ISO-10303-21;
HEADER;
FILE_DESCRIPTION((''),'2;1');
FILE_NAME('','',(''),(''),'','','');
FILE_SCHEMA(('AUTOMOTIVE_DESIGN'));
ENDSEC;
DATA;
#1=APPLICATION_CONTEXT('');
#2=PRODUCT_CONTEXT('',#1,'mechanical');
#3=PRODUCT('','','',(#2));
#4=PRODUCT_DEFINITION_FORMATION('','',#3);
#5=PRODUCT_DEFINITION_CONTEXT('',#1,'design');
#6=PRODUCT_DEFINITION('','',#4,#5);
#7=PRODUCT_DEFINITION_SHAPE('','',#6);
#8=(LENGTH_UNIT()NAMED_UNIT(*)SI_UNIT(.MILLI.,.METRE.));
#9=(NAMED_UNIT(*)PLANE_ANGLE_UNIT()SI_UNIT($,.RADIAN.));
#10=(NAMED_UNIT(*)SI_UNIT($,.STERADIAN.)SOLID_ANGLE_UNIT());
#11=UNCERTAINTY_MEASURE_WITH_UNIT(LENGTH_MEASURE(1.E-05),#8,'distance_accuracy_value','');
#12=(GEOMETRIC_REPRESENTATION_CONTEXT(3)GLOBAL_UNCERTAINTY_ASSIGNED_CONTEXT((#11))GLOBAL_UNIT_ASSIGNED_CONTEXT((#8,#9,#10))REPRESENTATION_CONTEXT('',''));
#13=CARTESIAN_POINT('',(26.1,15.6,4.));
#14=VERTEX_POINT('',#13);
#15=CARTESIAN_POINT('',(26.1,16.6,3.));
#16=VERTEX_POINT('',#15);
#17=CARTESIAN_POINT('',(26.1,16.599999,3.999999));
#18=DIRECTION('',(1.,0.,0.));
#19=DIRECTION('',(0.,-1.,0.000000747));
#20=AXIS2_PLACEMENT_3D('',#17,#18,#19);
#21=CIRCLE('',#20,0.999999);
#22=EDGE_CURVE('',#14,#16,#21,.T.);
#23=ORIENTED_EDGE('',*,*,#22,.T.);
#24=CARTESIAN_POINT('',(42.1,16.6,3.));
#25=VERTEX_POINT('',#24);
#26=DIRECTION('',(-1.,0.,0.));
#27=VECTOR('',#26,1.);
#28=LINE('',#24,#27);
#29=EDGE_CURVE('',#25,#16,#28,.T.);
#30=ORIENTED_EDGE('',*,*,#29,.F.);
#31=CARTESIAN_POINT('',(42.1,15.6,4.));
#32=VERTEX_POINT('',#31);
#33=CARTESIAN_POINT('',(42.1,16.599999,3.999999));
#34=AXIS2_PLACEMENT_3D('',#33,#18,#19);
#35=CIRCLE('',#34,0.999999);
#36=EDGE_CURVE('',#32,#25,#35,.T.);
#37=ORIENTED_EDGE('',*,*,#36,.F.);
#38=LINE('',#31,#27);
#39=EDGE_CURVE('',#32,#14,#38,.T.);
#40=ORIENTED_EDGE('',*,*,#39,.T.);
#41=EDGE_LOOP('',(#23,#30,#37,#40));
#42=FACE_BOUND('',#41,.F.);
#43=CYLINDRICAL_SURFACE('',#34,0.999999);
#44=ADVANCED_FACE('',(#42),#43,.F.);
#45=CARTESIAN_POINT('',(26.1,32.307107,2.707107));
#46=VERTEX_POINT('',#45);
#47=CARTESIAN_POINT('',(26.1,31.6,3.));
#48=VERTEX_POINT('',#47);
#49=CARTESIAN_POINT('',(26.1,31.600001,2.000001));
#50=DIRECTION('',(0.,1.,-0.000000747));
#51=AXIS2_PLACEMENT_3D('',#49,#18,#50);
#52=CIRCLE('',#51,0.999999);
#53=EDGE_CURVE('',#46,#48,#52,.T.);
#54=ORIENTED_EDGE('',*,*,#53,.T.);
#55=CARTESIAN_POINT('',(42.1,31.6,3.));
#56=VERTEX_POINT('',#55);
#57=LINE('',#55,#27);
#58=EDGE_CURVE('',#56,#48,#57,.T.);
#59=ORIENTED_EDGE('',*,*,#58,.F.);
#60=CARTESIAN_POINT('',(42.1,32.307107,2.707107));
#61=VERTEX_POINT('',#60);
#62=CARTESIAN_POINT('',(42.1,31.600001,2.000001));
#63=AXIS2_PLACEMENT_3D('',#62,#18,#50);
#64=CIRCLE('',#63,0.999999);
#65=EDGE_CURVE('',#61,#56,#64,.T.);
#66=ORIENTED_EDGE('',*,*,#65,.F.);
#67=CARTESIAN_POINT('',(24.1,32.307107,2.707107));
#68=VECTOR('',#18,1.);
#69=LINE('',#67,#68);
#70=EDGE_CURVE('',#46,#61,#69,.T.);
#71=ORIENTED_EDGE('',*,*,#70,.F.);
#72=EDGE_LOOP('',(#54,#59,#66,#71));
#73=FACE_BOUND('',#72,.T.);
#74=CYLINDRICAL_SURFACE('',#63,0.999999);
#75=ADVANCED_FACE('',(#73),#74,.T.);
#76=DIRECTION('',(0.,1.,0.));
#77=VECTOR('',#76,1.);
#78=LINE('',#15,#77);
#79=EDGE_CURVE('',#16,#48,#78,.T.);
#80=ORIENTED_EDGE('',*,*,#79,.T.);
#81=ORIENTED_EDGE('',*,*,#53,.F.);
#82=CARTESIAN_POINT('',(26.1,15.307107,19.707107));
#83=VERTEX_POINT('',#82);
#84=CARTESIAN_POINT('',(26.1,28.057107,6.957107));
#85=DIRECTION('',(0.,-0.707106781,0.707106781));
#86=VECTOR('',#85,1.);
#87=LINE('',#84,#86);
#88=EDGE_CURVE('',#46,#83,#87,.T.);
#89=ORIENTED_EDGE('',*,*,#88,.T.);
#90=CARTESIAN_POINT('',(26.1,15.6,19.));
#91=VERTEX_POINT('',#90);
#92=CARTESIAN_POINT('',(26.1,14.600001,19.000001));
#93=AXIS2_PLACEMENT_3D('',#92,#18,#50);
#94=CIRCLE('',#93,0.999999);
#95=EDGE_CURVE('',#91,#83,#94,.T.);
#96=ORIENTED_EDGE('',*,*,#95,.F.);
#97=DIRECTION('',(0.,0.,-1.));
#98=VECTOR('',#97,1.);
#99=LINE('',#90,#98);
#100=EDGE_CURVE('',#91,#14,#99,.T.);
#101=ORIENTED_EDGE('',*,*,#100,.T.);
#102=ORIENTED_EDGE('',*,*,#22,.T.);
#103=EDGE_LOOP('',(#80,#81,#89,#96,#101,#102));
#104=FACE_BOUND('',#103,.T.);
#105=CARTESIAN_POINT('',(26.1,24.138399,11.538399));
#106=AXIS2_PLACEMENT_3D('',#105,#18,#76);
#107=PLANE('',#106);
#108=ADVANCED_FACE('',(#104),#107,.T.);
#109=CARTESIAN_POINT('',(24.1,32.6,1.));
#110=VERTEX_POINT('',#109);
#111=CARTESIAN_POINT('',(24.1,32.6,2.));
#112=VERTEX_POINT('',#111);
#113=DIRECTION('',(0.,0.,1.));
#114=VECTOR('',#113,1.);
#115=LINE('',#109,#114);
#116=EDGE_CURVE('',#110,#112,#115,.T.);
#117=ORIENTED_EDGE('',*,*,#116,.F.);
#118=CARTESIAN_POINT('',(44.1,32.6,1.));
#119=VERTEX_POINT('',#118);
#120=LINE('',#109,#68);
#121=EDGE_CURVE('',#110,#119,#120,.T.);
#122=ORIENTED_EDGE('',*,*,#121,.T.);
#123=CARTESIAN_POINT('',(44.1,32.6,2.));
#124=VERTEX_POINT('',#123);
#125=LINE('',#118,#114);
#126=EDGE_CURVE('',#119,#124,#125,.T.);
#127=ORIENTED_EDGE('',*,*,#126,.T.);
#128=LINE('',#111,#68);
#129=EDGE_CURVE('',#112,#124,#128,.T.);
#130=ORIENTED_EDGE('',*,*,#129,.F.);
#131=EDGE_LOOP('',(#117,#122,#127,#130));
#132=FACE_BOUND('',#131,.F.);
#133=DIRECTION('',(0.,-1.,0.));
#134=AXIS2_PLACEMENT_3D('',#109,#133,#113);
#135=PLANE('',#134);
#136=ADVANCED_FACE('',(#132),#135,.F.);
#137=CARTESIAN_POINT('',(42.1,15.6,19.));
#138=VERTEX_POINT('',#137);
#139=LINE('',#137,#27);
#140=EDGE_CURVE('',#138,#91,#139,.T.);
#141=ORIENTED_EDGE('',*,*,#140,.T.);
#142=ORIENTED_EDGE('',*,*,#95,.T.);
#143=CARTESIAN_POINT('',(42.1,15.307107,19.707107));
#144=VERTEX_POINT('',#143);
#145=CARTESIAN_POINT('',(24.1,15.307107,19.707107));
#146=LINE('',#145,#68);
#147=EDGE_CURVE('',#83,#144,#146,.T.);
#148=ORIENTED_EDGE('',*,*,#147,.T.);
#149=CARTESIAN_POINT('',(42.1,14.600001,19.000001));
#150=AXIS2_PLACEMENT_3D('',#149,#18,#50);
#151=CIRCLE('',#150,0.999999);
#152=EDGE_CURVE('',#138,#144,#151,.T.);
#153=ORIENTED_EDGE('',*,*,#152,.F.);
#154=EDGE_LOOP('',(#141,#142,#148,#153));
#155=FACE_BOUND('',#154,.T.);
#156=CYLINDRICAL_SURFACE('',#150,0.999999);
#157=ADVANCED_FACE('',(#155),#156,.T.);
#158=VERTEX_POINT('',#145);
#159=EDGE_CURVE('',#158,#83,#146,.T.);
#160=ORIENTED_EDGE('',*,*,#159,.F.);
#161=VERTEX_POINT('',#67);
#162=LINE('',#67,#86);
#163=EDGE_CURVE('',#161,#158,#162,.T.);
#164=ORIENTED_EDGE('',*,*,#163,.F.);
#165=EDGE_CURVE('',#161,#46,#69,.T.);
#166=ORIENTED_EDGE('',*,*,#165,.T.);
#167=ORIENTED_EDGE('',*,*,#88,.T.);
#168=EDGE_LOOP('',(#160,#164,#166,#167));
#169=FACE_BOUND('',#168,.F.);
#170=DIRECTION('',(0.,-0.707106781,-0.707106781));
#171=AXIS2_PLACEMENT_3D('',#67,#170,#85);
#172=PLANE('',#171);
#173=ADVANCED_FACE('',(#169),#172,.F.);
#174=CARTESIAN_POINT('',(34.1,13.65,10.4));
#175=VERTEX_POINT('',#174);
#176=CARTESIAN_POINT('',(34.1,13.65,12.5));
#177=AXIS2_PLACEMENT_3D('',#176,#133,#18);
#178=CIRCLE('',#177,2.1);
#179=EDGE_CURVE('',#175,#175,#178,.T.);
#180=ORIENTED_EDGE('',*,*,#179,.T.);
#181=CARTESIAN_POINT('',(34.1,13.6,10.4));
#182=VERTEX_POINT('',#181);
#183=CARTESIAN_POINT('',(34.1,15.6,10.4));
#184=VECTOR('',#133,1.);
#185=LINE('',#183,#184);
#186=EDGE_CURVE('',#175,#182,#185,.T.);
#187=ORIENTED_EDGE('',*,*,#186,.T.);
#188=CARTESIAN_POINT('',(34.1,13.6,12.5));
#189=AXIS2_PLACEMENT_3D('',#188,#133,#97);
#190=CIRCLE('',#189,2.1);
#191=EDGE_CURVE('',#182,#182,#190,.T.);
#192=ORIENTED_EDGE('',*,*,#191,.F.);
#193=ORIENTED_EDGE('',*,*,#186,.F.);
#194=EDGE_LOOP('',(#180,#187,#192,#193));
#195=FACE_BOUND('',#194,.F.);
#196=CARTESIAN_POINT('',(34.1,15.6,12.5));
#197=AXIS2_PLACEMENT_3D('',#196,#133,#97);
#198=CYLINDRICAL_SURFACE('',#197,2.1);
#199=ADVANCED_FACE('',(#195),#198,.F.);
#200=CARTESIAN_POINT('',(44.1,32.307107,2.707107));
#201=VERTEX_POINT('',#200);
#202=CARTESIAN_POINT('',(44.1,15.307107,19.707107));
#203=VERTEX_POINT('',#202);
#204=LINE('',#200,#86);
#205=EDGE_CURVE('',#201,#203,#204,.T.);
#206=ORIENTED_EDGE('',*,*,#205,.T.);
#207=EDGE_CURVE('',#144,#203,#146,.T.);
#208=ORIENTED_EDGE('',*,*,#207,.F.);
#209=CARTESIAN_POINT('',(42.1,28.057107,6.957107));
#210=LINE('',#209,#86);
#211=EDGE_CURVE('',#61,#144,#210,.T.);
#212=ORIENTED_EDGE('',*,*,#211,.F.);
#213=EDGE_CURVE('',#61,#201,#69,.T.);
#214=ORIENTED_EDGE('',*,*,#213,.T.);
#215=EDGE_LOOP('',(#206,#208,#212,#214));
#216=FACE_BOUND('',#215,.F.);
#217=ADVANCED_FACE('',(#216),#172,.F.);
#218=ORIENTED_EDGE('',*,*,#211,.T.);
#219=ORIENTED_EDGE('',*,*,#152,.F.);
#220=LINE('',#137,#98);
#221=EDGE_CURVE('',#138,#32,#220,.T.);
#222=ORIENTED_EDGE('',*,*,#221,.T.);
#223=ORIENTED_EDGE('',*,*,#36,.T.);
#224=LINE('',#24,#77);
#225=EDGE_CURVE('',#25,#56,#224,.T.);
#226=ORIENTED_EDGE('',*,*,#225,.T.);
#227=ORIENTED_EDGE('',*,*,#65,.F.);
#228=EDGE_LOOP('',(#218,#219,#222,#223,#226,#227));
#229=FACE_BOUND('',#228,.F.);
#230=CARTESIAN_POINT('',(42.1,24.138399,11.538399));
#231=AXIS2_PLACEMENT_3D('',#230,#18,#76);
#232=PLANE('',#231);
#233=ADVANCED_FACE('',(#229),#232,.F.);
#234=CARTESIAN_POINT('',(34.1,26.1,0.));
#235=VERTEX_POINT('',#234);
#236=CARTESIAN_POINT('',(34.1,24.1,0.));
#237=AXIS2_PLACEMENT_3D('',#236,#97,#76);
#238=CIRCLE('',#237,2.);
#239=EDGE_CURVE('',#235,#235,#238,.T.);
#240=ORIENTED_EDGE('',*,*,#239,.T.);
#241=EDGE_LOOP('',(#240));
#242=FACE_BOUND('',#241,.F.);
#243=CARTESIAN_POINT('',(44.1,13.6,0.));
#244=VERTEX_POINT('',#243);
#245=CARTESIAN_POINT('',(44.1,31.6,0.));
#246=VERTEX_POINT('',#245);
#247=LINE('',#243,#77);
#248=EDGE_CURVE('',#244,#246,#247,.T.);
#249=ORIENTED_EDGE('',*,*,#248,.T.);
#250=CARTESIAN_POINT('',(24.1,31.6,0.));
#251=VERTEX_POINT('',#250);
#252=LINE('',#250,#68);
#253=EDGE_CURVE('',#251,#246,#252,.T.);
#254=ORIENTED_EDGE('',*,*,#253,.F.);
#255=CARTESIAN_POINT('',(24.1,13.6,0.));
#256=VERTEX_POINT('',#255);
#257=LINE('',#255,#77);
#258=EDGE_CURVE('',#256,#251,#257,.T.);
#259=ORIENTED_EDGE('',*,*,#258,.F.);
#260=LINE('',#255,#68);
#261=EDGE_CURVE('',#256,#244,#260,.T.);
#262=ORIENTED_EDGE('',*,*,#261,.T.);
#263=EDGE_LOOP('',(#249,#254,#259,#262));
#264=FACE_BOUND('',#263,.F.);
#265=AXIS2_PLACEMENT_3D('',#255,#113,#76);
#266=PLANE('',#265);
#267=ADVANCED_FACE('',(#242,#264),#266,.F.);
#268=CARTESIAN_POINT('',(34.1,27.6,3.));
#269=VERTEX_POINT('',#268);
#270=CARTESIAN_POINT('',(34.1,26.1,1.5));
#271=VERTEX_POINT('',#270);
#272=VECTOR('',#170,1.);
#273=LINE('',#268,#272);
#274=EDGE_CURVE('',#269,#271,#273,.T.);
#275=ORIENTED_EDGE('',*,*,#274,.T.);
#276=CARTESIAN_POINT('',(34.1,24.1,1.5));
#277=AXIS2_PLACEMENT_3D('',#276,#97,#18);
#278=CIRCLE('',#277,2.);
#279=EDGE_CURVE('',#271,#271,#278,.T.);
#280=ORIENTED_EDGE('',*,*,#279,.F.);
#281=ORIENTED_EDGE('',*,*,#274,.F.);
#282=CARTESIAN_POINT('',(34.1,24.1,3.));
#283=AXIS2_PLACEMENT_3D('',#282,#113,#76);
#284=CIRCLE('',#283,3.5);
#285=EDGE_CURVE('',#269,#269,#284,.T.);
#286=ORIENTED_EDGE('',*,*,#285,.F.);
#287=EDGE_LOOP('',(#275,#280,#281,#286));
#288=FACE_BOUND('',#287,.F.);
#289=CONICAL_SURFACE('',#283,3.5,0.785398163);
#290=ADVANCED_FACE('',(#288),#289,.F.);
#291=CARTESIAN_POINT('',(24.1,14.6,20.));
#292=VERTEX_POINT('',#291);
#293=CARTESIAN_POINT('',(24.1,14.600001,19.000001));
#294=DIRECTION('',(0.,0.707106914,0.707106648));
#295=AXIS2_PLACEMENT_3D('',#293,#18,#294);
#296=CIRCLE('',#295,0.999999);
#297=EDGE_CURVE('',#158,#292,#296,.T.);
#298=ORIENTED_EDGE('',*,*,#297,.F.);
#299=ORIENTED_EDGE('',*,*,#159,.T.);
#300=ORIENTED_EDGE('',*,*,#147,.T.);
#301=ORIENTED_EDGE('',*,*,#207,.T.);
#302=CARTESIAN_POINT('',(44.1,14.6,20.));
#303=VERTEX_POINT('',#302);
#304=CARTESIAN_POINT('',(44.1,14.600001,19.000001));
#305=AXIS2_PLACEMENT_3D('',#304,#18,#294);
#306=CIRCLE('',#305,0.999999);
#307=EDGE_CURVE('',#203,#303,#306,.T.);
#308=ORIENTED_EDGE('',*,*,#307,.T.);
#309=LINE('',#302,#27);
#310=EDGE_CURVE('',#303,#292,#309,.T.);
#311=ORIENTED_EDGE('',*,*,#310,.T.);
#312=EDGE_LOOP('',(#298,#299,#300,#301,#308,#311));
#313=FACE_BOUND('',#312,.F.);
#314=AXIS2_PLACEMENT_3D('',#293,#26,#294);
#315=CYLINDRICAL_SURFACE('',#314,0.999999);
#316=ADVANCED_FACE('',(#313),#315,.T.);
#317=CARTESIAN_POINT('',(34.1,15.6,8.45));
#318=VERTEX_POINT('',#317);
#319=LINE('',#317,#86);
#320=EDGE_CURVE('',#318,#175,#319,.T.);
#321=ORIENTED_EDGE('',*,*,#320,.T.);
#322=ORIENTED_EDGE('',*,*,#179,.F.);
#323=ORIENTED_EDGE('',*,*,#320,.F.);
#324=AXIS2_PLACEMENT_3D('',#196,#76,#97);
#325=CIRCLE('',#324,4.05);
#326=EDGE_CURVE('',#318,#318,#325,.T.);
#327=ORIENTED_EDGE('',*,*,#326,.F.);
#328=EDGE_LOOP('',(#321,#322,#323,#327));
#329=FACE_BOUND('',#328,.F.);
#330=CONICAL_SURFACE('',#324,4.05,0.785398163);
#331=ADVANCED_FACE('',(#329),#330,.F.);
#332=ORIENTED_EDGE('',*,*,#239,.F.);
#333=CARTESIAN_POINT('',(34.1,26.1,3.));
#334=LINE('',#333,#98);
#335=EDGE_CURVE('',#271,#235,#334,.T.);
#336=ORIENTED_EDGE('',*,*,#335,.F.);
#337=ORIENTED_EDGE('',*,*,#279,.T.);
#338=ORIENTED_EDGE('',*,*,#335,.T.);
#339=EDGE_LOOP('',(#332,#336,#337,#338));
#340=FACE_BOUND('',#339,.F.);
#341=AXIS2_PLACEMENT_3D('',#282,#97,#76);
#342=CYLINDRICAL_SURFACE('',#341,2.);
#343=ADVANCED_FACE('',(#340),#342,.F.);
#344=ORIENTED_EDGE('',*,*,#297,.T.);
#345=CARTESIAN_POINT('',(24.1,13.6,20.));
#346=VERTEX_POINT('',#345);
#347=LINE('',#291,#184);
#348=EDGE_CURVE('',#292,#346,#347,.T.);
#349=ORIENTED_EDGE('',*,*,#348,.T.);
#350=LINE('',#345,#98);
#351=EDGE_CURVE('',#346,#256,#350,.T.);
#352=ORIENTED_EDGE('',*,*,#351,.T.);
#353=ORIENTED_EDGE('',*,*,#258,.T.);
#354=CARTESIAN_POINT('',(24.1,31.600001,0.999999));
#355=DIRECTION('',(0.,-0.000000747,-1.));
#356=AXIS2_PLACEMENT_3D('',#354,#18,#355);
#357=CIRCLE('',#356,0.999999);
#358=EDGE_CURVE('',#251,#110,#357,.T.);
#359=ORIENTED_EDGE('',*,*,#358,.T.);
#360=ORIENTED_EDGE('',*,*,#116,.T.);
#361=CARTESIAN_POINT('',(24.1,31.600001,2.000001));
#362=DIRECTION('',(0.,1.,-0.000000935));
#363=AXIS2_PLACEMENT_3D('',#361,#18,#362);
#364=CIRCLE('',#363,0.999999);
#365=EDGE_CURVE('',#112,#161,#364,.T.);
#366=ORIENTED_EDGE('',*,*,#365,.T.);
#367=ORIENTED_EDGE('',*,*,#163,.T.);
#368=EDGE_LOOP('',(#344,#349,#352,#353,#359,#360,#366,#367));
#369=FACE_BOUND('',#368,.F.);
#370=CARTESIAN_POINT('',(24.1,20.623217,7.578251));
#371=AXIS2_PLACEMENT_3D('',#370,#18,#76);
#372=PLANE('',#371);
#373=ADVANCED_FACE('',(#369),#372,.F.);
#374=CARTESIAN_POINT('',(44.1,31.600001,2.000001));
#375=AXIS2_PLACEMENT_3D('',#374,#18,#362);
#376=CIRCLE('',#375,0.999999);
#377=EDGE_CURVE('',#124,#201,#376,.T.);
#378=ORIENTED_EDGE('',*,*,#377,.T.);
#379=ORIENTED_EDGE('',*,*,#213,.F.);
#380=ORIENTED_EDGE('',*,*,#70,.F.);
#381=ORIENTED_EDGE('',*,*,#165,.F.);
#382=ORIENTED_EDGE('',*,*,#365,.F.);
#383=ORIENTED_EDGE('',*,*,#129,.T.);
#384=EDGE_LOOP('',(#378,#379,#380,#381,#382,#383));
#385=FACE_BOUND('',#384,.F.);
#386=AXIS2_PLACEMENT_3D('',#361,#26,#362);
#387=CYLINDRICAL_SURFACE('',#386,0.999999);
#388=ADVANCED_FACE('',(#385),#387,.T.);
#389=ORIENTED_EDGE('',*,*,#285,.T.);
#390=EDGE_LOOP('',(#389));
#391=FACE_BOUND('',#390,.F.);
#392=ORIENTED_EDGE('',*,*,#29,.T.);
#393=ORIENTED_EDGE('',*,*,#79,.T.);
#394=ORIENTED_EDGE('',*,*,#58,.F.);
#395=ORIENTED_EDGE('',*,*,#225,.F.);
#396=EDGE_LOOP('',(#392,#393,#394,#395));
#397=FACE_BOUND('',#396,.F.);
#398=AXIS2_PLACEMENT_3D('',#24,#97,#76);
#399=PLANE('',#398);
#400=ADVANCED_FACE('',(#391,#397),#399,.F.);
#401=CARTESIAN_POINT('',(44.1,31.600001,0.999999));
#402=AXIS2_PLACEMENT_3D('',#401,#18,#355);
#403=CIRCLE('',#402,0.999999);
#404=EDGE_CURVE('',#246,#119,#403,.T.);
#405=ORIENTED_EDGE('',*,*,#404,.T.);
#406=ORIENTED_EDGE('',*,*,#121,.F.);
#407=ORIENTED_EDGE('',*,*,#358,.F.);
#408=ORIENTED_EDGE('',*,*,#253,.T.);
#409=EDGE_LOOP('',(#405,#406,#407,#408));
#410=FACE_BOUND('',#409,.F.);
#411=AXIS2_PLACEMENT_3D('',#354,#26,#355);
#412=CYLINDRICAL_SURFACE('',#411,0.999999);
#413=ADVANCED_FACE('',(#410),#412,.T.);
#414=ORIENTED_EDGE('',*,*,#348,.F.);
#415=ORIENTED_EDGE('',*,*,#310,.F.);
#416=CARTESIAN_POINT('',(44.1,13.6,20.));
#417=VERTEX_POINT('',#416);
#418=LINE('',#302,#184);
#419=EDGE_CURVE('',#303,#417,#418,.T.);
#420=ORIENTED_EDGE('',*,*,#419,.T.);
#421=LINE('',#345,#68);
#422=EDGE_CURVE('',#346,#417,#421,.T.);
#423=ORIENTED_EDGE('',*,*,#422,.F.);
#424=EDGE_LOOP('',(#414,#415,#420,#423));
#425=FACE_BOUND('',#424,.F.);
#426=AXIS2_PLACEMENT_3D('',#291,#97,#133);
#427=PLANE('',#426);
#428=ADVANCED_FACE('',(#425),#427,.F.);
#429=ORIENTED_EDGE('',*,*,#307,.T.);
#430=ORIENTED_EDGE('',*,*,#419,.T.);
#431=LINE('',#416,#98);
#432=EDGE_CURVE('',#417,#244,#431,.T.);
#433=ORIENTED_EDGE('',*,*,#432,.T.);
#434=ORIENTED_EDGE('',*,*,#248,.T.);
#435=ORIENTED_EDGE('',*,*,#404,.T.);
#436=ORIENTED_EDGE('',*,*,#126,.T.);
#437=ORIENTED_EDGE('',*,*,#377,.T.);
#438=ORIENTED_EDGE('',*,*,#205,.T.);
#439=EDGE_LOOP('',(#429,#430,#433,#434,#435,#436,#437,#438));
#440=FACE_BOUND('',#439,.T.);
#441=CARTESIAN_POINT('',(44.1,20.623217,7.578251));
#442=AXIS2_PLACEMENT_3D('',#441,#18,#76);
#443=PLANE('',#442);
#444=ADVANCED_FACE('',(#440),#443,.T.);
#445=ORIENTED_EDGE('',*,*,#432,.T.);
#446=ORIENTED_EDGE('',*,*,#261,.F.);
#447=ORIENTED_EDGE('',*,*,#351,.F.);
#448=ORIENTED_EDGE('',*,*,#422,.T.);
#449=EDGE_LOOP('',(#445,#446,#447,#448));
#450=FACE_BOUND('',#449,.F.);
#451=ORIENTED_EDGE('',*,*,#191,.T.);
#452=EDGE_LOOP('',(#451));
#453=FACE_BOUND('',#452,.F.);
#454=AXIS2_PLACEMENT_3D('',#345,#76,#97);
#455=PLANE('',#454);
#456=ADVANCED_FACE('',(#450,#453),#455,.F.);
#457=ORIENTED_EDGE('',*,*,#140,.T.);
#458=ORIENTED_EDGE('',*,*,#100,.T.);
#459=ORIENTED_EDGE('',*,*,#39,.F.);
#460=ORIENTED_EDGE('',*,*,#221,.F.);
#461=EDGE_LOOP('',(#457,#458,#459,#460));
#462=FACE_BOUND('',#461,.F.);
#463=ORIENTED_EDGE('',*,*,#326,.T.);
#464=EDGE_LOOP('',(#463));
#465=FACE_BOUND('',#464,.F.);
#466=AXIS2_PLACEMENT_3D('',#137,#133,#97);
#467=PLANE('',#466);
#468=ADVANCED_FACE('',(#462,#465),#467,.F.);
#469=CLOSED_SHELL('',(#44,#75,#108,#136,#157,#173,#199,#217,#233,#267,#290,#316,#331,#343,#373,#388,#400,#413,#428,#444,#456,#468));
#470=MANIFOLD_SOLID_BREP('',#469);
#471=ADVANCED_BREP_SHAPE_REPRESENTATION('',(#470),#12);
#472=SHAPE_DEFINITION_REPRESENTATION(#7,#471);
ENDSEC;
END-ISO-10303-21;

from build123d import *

# Parameters (mm, degrees)
PAD001_DEPTH            = 20
POCKET001_DEPTH         = 16
HOLE002_D               = 4
HOLE002_CSINK_D         = 7
HOLE002_CSINK_ANGLE     = 90
HOLE003_D               = 4.2
HOLE003_DEPTH           = 25
HOLE003_CSINK_D         = 8.1
HOLE003_CSINK_ANGLE     = 90
BODY001_PLACEMENT_ANGLE = 90


with BuildPart() as part:
    # Sketch004 → Pad001 (new body)
    with BuildSketch(Plane.XZ):
        with BuildLine():
            Line((1, 0), (19, 0))
            ThreePointArc((19, 0), (19.707107, 0.292893), (20, 1))
            Line((20, 1), (20, 2))
            ThreePointArc((20, 2), (19.92388, 2.382683), (19.707107, 2.707107))
            Line((19.707107, 2.707107), (2.707107, 19.707107))
            ThreePointArc((2.707107, 19.707107), (2.382683, 19.92388), (2, 20))
            Line((2, 20), (1, 20))
            Line((1, 20), (1, 0))
        make_face()
    extrude(amount=PAD001_DEPTH)

    # Sketch005 (on Face10 of Pad001) → Pocket001 (cut)
    with BuildSketch(Plane.XZ.offset(18)):
        with BuildLine():
            Line((3, 19), (3, 4))
            ThreePointArc((3, 4), (3.292893, 3.292893), (4, 3))
            Line((4, 3), (19, 3))
            ThreePointArc((20, 2), (19.707107, 2.707107), (19, 3))
            Line((20, 20), (20, 2))
            Line((2, 20), (20, 20))
            ThreePointArc((3, 19), (2.707107, 19.707107), (2, 20))
        make_face()
    extrude(amount=-POCKET001_DEPTH, mode=Mode.SUBTRACT)

    # Hole002 (through all)
    with Locations(Plane(origin=(0, 0, 3), x_dir=(-1, 0, 0), z_dir=(0, 0, 1))):
        with Locations((-11.5, 10)):
            CounterSinkHole(HOLE002_D / 2, HOLE002_CSINK_D / 2, counter_sink_angle=HOLE002_CSINK_ANGLE)

    # Hole003
    with Locations(Plane(origin=(3, 0, 0), x_dir=(0, 0, 1), z_dir=(1, 0, 0))):
        with Locations((12.5, 10)):
            CounterSinkHole(HOLE003_D / 2, HOLE003_CSINK_D / 2, depth=HOLE003_DEPTH, counter_sink_angle=HOLE003_CSINK_ANGLE)


with BuildPart() as part_1:
    # Body001 placement: moved
    add(part.part.moved(Location((24.1, 12.6, 0))).rotate(Axis((24.1, 12.6, 0), (0, 0, 1)), BODY001_PLACEMENT_ANGLE))


solid = part_1.part
